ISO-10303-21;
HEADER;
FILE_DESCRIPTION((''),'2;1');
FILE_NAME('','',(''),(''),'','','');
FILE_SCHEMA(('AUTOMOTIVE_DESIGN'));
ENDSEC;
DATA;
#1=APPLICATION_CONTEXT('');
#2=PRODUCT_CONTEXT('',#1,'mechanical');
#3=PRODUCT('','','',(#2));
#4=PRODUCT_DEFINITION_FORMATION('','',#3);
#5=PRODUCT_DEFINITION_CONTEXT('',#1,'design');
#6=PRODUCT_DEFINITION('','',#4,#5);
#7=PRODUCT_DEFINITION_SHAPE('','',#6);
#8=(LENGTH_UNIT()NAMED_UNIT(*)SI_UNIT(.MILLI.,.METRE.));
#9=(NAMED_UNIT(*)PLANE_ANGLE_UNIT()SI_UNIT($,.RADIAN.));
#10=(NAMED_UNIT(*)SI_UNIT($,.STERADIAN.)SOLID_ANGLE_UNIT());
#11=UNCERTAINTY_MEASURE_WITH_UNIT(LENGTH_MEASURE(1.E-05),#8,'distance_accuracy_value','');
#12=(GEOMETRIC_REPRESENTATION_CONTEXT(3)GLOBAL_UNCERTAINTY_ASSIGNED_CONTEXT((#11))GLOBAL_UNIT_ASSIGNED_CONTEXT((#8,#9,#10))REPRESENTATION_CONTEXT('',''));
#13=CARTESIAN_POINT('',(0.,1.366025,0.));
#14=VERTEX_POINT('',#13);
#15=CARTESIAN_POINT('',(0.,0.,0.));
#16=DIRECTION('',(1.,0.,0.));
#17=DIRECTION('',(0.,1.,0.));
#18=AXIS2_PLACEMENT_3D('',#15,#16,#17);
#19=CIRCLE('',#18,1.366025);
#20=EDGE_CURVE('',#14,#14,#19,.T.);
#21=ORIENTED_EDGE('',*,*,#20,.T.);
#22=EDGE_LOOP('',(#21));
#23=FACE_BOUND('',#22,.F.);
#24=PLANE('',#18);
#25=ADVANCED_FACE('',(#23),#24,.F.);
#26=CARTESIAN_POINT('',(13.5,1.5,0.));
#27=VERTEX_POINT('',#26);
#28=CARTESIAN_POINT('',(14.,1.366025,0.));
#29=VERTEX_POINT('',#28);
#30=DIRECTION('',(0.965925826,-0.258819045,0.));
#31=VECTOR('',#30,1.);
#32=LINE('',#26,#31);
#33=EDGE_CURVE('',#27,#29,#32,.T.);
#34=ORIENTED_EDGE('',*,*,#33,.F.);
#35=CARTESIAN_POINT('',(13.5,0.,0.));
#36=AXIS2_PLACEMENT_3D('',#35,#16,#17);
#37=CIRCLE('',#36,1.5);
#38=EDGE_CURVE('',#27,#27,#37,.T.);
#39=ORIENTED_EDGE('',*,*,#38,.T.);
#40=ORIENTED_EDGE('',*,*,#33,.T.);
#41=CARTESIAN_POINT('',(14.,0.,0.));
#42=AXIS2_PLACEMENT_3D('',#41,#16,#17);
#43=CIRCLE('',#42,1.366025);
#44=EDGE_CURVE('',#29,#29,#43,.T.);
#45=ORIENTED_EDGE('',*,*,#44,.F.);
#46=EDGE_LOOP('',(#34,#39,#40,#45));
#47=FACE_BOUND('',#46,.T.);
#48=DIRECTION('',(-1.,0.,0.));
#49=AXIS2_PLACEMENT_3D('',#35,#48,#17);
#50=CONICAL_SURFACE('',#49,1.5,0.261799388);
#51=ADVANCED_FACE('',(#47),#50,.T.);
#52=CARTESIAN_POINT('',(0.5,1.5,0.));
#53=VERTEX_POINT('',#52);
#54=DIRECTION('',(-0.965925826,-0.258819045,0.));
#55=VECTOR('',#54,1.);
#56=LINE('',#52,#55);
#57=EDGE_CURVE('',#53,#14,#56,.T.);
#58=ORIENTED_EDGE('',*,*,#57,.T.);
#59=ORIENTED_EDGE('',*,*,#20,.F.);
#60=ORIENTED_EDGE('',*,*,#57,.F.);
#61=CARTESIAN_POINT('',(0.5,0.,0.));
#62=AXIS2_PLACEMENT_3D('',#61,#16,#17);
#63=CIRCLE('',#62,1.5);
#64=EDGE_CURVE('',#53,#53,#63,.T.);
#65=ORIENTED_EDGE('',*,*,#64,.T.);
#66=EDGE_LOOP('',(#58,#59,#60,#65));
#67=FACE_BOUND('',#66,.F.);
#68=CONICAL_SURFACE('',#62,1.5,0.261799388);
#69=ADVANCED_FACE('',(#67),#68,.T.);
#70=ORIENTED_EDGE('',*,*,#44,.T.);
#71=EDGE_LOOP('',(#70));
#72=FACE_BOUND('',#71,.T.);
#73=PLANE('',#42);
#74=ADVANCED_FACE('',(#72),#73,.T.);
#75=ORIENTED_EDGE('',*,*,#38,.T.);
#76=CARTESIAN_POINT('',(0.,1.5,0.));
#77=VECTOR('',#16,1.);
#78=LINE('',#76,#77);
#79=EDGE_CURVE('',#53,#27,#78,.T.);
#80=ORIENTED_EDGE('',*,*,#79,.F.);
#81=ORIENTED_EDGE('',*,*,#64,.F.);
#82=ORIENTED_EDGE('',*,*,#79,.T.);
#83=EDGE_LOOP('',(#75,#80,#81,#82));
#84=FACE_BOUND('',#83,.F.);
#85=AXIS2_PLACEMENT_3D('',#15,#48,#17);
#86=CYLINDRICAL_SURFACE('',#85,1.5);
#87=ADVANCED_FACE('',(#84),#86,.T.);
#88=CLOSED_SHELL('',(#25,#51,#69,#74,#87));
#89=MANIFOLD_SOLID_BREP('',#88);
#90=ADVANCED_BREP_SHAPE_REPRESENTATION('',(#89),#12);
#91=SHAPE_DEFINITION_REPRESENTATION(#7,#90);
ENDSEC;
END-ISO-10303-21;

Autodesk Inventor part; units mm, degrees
ref_plane "YZ Plane" through (0, 0, 0) normal (1, 0, 0) x (0, 1, 0)
ref_plane "XZ Plane" through (0, 0, 0) normal (0, 1, 0) x (-1, 0, 0)
ref_plane "XY Plane" through (0, 0, 0) normal (0, 0, 1) x (1, 0, 0)
sketch "Sketch" plane through (0, 0, 0) normal (1, 0, 0) x (0, 1, 0)
  circle A0 centre (0, 0) radius 1.5
  dimension "d1" = 3
extrude "Body" add sketch "Sketch" along normal blind 14
chamfer "Chamfer1" distance 0.5 angle 15 1 edges at (0, -1.5, 0) measured on face at (9.3333, 1.4806, -0.2406)
chamfer "Chamfer2" distance 0.5 angle 15 1 edges at (14, -1.5, 0) measured on face at (9.5, 1.4806, -0.2406)
equation "\"d1\" = NND"
equation "\"d2\" = NLG"
equation "\"d4\" = PHH"
equation "\"d5\" = FAWI"
equation "\"d11\" = PHH"
equation "\"d8\" = PHH"
equation "\"d9\" = FAWI"
equation "\"d12\" = PHH"
equation "\"NND\" = 3"
equation "\"NLG\" = 14"
equation "\"PHH\" = 0.5"
equation "\"FAWI\" = 15deg"
equation "\"KAH\" = 0"
properties part number "ISO 2338 - 3 h8 x 14" material "Stainless Steel, Austenitic"
